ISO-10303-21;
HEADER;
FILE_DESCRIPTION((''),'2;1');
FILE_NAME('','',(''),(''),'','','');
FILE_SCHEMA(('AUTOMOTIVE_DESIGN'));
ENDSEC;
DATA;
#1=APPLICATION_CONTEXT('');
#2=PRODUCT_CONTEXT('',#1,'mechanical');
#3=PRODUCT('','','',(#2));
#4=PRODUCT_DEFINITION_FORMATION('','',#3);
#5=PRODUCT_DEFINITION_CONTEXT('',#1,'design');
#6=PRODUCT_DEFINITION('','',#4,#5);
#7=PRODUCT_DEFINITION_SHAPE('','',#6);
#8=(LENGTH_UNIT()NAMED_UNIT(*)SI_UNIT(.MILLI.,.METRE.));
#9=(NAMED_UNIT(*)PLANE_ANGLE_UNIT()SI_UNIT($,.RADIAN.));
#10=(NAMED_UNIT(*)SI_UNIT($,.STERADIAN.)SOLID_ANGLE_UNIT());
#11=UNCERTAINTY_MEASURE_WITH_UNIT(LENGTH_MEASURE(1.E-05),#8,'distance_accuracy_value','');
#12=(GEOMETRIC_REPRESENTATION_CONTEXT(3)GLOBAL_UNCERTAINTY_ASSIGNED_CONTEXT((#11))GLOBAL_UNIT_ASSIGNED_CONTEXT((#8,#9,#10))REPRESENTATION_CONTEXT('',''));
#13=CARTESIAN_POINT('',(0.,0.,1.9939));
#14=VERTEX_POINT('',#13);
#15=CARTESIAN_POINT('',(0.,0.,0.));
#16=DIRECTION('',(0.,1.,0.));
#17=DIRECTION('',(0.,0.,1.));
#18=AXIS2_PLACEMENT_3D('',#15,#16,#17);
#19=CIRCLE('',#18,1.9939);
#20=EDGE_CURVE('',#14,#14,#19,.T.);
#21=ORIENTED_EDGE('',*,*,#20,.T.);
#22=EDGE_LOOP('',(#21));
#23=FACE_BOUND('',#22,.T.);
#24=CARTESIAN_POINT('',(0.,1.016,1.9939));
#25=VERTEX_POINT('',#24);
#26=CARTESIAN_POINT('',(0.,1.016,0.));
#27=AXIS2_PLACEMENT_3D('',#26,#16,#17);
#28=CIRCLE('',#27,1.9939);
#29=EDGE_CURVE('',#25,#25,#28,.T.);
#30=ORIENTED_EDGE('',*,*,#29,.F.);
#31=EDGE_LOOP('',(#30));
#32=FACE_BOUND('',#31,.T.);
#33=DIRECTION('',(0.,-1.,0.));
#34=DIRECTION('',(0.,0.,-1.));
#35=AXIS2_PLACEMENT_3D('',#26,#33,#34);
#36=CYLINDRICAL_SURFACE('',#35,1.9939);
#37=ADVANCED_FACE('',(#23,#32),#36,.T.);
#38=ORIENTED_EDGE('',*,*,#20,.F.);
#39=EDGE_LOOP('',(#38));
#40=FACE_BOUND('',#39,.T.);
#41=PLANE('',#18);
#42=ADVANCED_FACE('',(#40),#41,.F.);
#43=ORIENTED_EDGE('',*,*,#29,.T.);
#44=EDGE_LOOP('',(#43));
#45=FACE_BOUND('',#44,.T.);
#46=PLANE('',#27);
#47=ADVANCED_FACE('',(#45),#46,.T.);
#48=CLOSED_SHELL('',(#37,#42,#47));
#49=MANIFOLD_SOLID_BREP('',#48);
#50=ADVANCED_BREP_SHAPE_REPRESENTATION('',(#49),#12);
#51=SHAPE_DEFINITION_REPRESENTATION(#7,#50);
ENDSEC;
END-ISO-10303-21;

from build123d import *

# Parameters (mm, degrees)
SKETCH1_R           = 1.9939
BOSS_EXTRUDE1_DEPTH = 1.016


with BuildPart() as part:
    # Sketch1 → Boss-Extrude1 (new body)
    with BuildSketch(Plane(origin=(0, 0, 0), x_dir=(1, 0, 0), z_dir=(0, 1, 0))):
        Circle(SKETCH1_R)
    extrude(amount=BOSS_EXTRUDE1_DEPTH)


solid = part.part
